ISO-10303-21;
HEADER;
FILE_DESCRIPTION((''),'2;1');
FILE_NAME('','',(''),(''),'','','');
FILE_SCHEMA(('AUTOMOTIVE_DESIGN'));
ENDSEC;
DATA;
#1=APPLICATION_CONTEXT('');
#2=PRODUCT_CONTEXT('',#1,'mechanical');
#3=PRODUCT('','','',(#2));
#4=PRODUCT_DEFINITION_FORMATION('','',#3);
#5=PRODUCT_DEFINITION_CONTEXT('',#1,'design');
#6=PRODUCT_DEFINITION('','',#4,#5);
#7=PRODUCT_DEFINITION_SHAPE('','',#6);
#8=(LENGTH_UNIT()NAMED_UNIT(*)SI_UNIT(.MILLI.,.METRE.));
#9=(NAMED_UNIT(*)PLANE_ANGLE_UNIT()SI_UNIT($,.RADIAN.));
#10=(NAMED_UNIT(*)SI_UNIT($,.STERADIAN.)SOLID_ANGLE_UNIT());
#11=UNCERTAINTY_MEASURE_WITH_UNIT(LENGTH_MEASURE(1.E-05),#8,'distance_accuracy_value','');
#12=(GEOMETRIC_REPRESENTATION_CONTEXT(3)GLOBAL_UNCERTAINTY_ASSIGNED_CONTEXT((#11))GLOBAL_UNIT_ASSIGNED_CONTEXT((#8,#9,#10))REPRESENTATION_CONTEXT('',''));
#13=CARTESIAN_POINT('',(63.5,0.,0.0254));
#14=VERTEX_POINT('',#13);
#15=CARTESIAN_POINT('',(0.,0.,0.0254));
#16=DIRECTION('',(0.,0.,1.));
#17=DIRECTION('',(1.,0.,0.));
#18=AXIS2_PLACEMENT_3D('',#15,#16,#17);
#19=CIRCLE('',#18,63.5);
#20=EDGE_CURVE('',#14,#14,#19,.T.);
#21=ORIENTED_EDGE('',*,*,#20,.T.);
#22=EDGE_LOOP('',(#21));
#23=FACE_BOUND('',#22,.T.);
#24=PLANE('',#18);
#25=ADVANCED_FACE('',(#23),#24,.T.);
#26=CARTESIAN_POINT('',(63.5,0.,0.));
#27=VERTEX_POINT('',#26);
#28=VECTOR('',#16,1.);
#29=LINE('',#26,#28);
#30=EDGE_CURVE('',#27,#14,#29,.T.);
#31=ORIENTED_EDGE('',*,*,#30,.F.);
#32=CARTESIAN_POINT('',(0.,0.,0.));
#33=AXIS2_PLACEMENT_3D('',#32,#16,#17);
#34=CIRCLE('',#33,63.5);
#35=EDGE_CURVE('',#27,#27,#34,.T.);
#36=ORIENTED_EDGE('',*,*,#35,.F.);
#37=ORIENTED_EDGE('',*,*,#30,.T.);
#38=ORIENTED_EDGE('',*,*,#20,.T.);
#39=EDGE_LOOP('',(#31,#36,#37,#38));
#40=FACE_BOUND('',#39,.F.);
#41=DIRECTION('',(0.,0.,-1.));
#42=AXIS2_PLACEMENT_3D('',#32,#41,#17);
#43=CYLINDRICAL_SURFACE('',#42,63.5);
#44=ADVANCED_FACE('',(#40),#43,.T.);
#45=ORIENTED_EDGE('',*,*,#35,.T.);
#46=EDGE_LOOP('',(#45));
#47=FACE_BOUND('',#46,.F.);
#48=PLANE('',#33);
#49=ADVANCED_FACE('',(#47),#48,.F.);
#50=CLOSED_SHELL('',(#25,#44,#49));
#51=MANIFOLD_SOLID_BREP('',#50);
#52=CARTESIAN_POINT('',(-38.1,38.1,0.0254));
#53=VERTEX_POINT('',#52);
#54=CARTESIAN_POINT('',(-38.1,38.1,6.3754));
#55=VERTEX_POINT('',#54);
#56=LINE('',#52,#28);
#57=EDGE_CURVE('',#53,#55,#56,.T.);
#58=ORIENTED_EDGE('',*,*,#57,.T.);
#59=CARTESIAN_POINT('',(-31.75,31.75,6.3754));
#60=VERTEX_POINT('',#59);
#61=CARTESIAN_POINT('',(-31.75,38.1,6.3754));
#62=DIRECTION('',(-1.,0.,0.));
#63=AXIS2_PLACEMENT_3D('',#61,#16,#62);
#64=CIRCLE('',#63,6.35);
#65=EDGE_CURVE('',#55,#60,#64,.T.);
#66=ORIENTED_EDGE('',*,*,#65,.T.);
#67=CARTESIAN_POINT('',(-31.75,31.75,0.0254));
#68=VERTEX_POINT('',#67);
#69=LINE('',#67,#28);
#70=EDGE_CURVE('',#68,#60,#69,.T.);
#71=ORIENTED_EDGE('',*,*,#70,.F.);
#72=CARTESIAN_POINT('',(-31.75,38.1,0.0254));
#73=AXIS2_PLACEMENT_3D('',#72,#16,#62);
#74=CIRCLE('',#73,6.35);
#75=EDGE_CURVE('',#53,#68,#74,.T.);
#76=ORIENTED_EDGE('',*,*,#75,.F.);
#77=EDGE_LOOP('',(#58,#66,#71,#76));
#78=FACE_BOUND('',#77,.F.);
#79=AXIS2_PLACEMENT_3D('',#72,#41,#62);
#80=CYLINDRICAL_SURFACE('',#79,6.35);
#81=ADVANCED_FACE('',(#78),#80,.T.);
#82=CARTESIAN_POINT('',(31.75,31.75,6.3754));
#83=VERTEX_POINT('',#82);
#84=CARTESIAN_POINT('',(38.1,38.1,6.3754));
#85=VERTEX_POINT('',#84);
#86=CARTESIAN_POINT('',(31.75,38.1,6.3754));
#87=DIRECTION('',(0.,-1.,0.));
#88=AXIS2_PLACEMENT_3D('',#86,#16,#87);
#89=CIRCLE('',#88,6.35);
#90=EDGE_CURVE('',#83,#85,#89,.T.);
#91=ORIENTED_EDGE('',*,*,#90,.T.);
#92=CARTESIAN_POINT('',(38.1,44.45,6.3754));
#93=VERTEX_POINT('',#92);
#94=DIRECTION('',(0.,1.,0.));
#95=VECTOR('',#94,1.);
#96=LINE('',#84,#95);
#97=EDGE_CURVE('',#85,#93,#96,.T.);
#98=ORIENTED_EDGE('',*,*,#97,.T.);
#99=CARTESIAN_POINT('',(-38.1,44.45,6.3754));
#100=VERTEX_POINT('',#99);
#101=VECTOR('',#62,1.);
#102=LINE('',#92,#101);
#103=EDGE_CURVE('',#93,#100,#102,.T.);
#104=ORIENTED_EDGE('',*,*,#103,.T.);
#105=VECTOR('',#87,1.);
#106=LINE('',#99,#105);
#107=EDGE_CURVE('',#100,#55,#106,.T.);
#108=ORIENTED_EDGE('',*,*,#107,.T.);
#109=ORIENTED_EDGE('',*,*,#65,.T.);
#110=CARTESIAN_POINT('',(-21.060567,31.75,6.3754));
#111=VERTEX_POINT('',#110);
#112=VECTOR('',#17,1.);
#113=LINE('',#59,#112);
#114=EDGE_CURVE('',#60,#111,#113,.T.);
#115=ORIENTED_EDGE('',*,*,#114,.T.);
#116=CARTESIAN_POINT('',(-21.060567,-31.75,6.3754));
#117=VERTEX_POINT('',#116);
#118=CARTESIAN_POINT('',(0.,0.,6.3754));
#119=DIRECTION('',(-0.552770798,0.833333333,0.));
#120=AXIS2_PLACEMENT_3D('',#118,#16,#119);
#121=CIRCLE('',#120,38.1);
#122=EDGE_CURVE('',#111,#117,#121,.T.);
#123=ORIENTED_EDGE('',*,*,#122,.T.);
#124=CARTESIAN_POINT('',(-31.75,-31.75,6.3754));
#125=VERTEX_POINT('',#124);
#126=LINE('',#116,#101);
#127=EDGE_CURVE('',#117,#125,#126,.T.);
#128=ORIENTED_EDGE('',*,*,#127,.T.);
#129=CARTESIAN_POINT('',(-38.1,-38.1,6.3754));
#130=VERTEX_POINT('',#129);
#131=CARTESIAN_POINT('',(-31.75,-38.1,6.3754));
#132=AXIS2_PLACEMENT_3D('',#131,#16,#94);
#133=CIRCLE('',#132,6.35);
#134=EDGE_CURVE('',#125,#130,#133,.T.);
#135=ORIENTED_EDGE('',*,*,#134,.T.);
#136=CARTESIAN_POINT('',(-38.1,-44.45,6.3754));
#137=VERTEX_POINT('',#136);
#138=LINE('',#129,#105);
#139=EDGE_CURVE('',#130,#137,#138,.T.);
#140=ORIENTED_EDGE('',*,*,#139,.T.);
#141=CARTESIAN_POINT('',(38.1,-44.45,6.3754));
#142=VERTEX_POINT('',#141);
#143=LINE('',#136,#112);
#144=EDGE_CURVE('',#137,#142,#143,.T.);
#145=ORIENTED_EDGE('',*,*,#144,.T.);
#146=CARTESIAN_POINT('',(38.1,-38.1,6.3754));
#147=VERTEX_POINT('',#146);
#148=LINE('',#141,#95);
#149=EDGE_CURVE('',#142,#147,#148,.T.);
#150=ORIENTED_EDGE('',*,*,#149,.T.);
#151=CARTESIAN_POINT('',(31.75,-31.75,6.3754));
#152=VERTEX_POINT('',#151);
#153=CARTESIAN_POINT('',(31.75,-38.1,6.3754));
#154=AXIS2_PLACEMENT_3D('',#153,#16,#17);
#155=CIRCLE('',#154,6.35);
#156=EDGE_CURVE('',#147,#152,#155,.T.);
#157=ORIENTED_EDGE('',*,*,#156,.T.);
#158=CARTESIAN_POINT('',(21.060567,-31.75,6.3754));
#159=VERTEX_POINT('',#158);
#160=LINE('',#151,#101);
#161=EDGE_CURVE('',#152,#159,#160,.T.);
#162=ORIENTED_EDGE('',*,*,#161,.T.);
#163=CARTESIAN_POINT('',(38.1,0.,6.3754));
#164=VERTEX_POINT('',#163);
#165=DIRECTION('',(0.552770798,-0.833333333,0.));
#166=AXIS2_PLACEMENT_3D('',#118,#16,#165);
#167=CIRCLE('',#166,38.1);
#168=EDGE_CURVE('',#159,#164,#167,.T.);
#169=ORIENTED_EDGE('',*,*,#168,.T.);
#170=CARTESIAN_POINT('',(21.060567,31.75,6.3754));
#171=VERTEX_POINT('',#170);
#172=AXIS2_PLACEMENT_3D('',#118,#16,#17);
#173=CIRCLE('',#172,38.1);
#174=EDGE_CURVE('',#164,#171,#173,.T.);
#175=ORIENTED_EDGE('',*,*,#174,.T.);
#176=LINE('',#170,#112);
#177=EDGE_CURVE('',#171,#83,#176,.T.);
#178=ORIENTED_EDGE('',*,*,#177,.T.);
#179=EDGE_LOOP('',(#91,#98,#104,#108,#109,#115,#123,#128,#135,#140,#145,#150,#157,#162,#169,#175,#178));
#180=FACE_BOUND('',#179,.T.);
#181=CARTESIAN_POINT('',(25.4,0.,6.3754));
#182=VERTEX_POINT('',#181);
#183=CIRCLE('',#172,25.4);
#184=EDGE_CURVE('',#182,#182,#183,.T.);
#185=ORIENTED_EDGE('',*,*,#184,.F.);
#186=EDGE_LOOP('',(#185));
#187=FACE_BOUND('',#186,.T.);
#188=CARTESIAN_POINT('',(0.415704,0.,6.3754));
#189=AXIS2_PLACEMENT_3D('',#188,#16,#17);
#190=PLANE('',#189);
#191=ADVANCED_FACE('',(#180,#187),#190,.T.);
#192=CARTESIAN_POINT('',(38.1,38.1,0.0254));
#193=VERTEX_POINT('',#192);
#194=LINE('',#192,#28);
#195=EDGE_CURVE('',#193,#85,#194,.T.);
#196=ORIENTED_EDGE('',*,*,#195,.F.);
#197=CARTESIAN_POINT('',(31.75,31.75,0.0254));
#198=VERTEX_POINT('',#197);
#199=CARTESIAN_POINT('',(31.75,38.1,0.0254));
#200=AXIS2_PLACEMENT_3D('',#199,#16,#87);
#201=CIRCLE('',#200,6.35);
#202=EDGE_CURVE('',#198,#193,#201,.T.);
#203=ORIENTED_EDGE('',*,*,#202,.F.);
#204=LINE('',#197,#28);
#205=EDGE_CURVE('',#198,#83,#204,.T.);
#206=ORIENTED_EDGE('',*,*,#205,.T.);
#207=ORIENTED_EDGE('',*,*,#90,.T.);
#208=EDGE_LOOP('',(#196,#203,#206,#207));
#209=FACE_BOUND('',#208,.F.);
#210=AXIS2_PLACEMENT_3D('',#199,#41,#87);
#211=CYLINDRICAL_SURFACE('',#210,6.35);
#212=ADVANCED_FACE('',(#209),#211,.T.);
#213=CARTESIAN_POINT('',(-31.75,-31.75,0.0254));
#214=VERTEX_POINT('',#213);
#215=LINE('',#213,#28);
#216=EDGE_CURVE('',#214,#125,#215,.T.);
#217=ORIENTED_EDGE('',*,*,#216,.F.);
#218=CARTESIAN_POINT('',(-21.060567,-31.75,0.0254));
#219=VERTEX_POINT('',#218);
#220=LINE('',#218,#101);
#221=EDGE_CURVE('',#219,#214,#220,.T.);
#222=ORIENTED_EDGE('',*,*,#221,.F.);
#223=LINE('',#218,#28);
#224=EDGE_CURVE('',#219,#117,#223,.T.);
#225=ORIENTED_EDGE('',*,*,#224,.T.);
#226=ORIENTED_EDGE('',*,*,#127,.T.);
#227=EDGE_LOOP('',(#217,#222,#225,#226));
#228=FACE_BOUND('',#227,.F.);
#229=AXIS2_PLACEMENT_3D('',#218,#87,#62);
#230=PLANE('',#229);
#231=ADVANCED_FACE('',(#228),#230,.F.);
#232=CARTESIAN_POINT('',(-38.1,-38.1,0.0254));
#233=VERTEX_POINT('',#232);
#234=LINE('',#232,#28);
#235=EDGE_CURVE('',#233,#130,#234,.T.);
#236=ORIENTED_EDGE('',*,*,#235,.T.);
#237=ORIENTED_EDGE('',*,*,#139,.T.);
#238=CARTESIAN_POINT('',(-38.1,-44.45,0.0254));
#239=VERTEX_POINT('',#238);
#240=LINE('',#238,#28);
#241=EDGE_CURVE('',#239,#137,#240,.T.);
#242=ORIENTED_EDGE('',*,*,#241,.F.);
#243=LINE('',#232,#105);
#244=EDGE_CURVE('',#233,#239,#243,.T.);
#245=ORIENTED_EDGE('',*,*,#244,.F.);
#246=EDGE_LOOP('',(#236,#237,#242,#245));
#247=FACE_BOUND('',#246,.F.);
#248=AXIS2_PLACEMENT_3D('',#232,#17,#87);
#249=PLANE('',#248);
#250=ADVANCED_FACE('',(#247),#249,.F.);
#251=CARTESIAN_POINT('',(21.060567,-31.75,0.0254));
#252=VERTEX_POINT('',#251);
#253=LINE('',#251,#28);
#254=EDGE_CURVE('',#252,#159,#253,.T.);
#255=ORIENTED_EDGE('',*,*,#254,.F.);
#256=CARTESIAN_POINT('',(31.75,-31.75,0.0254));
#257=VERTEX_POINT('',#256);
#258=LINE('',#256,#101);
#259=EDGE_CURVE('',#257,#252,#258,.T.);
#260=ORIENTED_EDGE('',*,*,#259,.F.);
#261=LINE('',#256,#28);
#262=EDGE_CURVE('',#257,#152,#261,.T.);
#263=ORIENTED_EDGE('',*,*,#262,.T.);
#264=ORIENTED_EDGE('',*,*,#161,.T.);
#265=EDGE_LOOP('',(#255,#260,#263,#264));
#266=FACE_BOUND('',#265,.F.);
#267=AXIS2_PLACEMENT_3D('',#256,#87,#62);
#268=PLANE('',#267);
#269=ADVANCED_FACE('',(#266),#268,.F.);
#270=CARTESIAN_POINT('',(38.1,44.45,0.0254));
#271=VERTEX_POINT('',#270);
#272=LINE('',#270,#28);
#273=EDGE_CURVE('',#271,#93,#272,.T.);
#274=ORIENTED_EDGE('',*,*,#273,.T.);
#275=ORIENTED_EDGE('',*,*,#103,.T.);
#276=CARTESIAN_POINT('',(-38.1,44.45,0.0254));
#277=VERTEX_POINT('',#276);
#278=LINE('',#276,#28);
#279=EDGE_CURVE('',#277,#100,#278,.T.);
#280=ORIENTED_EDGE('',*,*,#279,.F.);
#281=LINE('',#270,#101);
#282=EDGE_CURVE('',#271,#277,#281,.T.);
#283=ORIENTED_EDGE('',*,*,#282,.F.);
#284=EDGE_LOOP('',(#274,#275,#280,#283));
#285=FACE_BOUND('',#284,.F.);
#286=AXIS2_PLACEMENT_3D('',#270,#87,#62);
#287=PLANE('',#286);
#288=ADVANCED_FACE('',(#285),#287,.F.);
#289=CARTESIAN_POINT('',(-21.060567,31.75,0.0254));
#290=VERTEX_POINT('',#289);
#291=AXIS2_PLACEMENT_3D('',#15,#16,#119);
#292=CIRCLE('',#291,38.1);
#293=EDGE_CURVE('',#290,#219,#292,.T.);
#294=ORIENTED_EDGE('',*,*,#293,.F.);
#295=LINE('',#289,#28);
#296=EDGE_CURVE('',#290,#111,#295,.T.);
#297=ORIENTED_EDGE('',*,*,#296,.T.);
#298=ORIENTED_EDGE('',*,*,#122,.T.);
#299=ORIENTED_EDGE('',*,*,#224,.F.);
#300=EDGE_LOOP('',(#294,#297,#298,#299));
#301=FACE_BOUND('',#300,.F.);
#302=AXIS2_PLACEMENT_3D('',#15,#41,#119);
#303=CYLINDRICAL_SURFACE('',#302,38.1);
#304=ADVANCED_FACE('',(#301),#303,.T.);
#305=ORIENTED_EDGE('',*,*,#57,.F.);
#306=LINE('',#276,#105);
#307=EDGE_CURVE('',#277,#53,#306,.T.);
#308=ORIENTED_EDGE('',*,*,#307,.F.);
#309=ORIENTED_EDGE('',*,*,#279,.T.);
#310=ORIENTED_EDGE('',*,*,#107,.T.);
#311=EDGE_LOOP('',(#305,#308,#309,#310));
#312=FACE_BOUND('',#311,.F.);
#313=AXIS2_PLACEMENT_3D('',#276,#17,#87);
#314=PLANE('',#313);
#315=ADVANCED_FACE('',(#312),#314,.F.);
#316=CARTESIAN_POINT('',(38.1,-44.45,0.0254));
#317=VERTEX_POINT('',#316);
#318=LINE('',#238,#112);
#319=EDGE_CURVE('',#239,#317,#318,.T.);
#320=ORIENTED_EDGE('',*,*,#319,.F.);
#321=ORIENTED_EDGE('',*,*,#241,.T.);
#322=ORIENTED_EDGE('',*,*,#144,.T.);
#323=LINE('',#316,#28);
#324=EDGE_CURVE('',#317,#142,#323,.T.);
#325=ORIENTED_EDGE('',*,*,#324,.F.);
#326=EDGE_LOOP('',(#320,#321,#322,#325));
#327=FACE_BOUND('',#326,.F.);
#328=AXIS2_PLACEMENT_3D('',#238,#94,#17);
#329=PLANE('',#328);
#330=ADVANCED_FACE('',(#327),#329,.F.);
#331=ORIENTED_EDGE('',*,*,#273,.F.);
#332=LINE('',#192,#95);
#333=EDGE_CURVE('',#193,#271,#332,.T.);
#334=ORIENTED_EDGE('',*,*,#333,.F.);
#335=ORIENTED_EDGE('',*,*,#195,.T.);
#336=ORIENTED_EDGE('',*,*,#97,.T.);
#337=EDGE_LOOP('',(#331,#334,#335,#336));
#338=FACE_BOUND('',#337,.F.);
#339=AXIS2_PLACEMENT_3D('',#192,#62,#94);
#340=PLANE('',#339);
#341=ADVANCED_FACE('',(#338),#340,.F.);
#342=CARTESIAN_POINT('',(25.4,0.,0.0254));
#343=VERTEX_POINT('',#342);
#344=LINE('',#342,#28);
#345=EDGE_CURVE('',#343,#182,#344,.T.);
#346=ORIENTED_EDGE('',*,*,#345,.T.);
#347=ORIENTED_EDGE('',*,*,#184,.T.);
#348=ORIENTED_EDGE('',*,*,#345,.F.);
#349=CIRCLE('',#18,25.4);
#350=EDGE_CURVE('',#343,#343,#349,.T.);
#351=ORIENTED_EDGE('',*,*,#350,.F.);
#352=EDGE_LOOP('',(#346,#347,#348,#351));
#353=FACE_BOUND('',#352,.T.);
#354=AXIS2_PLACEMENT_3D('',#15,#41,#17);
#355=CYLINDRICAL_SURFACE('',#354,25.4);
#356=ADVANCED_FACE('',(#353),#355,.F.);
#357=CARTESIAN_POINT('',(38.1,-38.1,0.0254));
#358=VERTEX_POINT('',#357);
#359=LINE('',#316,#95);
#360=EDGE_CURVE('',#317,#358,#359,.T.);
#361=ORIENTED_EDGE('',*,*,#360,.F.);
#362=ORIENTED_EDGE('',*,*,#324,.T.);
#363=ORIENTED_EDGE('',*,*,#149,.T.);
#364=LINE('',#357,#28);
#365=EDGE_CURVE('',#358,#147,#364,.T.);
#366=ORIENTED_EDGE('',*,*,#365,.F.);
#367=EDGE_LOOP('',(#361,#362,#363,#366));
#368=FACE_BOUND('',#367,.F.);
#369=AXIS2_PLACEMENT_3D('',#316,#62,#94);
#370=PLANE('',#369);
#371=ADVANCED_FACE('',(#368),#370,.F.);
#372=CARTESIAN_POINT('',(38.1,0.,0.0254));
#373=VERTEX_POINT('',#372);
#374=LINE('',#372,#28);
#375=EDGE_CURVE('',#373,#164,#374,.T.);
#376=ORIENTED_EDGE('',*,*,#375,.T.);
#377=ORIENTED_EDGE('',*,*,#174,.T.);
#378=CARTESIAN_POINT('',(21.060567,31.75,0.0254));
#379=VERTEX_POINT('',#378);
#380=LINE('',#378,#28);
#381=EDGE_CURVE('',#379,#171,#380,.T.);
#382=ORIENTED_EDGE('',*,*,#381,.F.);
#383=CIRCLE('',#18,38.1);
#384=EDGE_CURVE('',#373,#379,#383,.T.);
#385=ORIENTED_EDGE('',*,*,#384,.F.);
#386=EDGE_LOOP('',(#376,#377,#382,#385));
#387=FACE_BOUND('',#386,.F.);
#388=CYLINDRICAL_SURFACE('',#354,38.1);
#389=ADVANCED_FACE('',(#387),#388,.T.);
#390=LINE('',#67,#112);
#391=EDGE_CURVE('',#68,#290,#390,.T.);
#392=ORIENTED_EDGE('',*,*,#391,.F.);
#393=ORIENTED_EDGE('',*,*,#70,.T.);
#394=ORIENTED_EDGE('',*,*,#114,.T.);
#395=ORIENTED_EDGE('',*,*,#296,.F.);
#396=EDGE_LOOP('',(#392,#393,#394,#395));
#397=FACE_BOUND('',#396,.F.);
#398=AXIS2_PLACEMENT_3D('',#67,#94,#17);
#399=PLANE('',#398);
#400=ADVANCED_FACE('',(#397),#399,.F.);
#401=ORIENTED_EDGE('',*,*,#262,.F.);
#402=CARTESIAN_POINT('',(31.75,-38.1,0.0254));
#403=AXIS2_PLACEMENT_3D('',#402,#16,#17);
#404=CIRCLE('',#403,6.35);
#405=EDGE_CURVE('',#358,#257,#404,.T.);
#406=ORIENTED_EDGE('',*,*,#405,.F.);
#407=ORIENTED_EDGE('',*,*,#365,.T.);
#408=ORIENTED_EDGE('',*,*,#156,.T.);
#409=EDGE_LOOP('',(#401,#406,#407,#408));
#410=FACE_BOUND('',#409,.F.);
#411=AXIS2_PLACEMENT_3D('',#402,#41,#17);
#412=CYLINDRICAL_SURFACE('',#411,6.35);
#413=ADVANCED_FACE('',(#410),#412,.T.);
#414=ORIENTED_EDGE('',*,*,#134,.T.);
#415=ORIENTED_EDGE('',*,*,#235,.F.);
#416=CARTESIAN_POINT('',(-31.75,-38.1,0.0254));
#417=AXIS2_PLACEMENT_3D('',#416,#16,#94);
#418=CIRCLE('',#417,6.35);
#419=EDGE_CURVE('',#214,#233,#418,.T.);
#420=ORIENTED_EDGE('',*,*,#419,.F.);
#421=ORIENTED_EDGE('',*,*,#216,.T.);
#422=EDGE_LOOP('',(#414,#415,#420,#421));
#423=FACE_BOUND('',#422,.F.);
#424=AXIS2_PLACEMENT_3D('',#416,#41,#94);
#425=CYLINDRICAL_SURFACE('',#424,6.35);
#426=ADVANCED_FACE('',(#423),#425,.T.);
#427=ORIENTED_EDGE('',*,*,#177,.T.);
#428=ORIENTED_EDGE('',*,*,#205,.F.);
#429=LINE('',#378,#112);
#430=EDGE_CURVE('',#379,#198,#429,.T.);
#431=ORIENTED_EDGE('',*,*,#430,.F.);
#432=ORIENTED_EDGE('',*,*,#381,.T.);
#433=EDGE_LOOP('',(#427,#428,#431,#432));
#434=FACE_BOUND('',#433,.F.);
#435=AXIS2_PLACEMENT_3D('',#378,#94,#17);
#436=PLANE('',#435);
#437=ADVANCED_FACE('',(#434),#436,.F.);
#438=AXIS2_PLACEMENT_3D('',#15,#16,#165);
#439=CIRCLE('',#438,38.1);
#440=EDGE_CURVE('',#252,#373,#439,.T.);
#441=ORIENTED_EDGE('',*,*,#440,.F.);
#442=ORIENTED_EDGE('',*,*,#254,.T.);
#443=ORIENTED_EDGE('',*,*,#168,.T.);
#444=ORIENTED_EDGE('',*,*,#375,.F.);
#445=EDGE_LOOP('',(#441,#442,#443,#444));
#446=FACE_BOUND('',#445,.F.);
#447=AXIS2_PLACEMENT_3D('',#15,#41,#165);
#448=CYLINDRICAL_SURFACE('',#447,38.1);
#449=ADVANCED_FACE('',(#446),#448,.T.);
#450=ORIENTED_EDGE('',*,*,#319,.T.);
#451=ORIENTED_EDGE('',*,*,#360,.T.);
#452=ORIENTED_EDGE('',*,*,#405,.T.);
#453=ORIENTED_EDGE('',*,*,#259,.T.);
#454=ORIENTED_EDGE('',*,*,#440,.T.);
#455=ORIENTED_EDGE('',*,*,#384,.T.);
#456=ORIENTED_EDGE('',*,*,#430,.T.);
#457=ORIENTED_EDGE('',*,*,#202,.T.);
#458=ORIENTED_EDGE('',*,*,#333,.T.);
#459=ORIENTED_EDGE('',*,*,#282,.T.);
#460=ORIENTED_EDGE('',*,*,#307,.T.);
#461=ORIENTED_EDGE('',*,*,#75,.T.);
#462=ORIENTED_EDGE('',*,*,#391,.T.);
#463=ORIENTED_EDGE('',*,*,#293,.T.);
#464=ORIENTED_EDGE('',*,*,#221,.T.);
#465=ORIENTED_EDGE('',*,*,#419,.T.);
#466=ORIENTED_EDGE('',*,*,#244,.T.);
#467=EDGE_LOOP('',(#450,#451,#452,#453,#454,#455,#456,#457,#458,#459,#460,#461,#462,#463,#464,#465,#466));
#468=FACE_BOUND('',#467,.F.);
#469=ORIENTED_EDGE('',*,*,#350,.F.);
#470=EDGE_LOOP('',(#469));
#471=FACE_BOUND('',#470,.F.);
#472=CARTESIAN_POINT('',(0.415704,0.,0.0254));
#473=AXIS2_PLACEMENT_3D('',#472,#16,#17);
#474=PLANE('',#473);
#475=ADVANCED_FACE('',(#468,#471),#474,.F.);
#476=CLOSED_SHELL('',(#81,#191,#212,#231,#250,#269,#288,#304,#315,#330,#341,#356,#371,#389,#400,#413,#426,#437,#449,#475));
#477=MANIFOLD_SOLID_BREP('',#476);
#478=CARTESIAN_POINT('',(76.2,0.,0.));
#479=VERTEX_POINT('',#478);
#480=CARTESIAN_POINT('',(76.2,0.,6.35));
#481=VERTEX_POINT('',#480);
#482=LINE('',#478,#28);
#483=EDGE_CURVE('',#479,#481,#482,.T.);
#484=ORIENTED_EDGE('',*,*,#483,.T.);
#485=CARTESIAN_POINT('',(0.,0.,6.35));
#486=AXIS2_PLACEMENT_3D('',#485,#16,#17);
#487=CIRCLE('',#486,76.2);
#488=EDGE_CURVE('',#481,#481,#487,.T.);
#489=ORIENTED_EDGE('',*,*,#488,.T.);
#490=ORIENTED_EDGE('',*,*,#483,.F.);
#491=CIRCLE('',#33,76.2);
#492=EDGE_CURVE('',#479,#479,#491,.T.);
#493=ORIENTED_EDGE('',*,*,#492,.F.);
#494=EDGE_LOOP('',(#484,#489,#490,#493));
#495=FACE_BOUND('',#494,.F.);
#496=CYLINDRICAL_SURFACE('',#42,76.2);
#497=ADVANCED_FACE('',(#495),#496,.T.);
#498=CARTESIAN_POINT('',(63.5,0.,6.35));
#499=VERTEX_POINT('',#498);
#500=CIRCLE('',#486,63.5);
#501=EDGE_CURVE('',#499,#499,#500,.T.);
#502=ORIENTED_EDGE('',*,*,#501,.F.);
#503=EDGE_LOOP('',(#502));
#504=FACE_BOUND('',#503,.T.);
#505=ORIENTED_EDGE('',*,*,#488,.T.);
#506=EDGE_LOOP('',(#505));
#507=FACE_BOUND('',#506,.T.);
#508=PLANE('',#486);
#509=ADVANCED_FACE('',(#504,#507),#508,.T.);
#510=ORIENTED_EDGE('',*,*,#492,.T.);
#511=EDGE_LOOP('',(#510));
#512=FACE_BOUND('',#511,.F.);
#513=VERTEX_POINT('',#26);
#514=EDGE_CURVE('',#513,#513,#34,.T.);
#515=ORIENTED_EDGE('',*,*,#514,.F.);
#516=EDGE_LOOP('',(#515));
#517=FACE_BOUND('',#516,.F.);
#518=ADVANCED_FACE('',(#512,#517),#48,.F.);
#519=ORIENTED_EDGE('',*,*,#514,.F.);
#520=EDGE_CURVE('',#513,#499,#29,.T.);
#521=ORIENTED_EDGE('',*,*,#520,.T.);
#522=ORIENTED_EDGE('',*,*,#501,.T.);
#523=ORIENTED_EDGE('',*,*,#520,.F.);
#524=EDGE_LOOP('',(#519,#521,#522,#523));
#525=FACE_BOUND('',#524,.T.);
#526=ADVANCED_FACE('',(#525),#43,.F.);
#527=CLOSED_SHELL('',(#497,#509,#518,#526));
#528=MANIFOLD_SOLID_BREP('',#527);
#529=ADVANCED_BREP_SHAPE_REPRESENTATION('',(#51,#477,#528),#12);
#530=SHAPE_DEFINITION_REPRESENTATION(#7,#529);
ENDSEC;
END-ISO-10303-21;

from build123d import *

# Parameters (mm, degrees)
F0_R     = 63.5
F1_DEPTH = 0.0254
F2_R     = 25.4
F3_DEPTH = 6.35
F4_R     = 76.2
F4_R_2   = 63.5
F5_DEPTH = 6.35


with BuildPart() as f1:
    # F0 (on Top) → F1 (new body)
    with BuildSketch(Plane.XY):
        Circle(F0_R)
    extrude(amount=F1_DEPTH)


with BuildPart() as f3:
    # F2 (on face) → F3 (new body)
    with BuildSketch(Plane.XY.offset(0.0254)):
        with BuildLine():
            ThreePointArc((21.0605674188, -31.75), (33.5709518681, -18.0166920014), (38.1, 0))
            ThreePointArc((38.1, 0), (33.5709518681, 18.0166920014), (21.0605674188, 31.75))
            Line((21.0605674188, 31.75), (0, 31.75))
            Line((0, 31.75), (-21.0605674188, 31.75))
            ThreePointArc((-21.0605674188, 31.75), (-38.1, 0), (-21.0605674188, -31.75))
            Line((-21.0605674188, -31.75), (0, -31.75))
            Line((0, -31.75), (21.0605674188, -31.75))
        make_face()
        Circle(F2_R, mode=Mode.SUBTRACT)
        with BuildLine():
            Line((0, 31.75), (21.0605674188, 31.75))
            ThreePointArc((21.0605674188, 31.75), (0, 38.1), (-21.0605674188, 31.75))
            Line((-21.0605674188, 31.75), (0, 31.75))
        make_face()
        with BuildLine():
            ThreePointArc((-21.0605674188, 31.75), (0, 38.1), (21.0605674188, 31.75))
            Line((21.0605674188, 31.75), (31.75, 31.75))
            ThreePointArc((31.75, 31.75), (36.2401280605, 33.6098719395), (38.1, 38.1))
            Line((38.1, 38.1), (38.1, 44.45))
            Line((38.1, 44.45), (-38.1, 44.45))
            Line((-38.1, 44.45), (-38.1, 38.1))
            ThreePointArc((-38.1, 38.1), (-36.2401280605, 33.6098719395), (-31.75, 31.75))
            Line((-31.75, 31.75), (-21.0605674188, 31.75))
        make_face()
        with BuildLine():
            Line((31.75, -31.75), (21.0605674188, -31.75))
            ThreePointArc((21.0605674188, -31.75), (0, -38.1), (-21.0605674188, -31.75))
            Line((-21.0605674188, -31.75), (-31.75, -31.75))
            ThreePointArc((-31.75, -31.75), (-36.2401280605, -33.6098719395), (-38.1, -38.1))
            Line((-38.1, -38.1), (-38.1, -44.45))
            Line((-38.1, -44.45), (38.1, -44.45))
            Line((38.1, -44.45), (38.1, -38.1))
            ThreePointArc((38.1, -38.1), (36.2401280605, -33.6098719395), (31.75, -31.75))
        make_face()
        with BuildLine():
            ThreePointArc((-21.0605674188, -31.75), (0, -38.1), (21.0605674188, -31.75))
            Line((21.0605674188, -31.75), (0, -31.75))
            Line((0, -31.75), (-21.0605674188, -31.75))
        make_face()
    extrude(amount=F3_DEPTH)


with BuildPart() as f5:
    # F4 (on Top) → F5 (new body)
    with BuildSketch(Plane.XY):
        Circle(F4_R)
        Circle(F4_R_2, mode=Mode.SUBTRACT)
    extrude(amount=F5_DEPTH)


solid = Compound([f1.part, f3.part, f5.part])
